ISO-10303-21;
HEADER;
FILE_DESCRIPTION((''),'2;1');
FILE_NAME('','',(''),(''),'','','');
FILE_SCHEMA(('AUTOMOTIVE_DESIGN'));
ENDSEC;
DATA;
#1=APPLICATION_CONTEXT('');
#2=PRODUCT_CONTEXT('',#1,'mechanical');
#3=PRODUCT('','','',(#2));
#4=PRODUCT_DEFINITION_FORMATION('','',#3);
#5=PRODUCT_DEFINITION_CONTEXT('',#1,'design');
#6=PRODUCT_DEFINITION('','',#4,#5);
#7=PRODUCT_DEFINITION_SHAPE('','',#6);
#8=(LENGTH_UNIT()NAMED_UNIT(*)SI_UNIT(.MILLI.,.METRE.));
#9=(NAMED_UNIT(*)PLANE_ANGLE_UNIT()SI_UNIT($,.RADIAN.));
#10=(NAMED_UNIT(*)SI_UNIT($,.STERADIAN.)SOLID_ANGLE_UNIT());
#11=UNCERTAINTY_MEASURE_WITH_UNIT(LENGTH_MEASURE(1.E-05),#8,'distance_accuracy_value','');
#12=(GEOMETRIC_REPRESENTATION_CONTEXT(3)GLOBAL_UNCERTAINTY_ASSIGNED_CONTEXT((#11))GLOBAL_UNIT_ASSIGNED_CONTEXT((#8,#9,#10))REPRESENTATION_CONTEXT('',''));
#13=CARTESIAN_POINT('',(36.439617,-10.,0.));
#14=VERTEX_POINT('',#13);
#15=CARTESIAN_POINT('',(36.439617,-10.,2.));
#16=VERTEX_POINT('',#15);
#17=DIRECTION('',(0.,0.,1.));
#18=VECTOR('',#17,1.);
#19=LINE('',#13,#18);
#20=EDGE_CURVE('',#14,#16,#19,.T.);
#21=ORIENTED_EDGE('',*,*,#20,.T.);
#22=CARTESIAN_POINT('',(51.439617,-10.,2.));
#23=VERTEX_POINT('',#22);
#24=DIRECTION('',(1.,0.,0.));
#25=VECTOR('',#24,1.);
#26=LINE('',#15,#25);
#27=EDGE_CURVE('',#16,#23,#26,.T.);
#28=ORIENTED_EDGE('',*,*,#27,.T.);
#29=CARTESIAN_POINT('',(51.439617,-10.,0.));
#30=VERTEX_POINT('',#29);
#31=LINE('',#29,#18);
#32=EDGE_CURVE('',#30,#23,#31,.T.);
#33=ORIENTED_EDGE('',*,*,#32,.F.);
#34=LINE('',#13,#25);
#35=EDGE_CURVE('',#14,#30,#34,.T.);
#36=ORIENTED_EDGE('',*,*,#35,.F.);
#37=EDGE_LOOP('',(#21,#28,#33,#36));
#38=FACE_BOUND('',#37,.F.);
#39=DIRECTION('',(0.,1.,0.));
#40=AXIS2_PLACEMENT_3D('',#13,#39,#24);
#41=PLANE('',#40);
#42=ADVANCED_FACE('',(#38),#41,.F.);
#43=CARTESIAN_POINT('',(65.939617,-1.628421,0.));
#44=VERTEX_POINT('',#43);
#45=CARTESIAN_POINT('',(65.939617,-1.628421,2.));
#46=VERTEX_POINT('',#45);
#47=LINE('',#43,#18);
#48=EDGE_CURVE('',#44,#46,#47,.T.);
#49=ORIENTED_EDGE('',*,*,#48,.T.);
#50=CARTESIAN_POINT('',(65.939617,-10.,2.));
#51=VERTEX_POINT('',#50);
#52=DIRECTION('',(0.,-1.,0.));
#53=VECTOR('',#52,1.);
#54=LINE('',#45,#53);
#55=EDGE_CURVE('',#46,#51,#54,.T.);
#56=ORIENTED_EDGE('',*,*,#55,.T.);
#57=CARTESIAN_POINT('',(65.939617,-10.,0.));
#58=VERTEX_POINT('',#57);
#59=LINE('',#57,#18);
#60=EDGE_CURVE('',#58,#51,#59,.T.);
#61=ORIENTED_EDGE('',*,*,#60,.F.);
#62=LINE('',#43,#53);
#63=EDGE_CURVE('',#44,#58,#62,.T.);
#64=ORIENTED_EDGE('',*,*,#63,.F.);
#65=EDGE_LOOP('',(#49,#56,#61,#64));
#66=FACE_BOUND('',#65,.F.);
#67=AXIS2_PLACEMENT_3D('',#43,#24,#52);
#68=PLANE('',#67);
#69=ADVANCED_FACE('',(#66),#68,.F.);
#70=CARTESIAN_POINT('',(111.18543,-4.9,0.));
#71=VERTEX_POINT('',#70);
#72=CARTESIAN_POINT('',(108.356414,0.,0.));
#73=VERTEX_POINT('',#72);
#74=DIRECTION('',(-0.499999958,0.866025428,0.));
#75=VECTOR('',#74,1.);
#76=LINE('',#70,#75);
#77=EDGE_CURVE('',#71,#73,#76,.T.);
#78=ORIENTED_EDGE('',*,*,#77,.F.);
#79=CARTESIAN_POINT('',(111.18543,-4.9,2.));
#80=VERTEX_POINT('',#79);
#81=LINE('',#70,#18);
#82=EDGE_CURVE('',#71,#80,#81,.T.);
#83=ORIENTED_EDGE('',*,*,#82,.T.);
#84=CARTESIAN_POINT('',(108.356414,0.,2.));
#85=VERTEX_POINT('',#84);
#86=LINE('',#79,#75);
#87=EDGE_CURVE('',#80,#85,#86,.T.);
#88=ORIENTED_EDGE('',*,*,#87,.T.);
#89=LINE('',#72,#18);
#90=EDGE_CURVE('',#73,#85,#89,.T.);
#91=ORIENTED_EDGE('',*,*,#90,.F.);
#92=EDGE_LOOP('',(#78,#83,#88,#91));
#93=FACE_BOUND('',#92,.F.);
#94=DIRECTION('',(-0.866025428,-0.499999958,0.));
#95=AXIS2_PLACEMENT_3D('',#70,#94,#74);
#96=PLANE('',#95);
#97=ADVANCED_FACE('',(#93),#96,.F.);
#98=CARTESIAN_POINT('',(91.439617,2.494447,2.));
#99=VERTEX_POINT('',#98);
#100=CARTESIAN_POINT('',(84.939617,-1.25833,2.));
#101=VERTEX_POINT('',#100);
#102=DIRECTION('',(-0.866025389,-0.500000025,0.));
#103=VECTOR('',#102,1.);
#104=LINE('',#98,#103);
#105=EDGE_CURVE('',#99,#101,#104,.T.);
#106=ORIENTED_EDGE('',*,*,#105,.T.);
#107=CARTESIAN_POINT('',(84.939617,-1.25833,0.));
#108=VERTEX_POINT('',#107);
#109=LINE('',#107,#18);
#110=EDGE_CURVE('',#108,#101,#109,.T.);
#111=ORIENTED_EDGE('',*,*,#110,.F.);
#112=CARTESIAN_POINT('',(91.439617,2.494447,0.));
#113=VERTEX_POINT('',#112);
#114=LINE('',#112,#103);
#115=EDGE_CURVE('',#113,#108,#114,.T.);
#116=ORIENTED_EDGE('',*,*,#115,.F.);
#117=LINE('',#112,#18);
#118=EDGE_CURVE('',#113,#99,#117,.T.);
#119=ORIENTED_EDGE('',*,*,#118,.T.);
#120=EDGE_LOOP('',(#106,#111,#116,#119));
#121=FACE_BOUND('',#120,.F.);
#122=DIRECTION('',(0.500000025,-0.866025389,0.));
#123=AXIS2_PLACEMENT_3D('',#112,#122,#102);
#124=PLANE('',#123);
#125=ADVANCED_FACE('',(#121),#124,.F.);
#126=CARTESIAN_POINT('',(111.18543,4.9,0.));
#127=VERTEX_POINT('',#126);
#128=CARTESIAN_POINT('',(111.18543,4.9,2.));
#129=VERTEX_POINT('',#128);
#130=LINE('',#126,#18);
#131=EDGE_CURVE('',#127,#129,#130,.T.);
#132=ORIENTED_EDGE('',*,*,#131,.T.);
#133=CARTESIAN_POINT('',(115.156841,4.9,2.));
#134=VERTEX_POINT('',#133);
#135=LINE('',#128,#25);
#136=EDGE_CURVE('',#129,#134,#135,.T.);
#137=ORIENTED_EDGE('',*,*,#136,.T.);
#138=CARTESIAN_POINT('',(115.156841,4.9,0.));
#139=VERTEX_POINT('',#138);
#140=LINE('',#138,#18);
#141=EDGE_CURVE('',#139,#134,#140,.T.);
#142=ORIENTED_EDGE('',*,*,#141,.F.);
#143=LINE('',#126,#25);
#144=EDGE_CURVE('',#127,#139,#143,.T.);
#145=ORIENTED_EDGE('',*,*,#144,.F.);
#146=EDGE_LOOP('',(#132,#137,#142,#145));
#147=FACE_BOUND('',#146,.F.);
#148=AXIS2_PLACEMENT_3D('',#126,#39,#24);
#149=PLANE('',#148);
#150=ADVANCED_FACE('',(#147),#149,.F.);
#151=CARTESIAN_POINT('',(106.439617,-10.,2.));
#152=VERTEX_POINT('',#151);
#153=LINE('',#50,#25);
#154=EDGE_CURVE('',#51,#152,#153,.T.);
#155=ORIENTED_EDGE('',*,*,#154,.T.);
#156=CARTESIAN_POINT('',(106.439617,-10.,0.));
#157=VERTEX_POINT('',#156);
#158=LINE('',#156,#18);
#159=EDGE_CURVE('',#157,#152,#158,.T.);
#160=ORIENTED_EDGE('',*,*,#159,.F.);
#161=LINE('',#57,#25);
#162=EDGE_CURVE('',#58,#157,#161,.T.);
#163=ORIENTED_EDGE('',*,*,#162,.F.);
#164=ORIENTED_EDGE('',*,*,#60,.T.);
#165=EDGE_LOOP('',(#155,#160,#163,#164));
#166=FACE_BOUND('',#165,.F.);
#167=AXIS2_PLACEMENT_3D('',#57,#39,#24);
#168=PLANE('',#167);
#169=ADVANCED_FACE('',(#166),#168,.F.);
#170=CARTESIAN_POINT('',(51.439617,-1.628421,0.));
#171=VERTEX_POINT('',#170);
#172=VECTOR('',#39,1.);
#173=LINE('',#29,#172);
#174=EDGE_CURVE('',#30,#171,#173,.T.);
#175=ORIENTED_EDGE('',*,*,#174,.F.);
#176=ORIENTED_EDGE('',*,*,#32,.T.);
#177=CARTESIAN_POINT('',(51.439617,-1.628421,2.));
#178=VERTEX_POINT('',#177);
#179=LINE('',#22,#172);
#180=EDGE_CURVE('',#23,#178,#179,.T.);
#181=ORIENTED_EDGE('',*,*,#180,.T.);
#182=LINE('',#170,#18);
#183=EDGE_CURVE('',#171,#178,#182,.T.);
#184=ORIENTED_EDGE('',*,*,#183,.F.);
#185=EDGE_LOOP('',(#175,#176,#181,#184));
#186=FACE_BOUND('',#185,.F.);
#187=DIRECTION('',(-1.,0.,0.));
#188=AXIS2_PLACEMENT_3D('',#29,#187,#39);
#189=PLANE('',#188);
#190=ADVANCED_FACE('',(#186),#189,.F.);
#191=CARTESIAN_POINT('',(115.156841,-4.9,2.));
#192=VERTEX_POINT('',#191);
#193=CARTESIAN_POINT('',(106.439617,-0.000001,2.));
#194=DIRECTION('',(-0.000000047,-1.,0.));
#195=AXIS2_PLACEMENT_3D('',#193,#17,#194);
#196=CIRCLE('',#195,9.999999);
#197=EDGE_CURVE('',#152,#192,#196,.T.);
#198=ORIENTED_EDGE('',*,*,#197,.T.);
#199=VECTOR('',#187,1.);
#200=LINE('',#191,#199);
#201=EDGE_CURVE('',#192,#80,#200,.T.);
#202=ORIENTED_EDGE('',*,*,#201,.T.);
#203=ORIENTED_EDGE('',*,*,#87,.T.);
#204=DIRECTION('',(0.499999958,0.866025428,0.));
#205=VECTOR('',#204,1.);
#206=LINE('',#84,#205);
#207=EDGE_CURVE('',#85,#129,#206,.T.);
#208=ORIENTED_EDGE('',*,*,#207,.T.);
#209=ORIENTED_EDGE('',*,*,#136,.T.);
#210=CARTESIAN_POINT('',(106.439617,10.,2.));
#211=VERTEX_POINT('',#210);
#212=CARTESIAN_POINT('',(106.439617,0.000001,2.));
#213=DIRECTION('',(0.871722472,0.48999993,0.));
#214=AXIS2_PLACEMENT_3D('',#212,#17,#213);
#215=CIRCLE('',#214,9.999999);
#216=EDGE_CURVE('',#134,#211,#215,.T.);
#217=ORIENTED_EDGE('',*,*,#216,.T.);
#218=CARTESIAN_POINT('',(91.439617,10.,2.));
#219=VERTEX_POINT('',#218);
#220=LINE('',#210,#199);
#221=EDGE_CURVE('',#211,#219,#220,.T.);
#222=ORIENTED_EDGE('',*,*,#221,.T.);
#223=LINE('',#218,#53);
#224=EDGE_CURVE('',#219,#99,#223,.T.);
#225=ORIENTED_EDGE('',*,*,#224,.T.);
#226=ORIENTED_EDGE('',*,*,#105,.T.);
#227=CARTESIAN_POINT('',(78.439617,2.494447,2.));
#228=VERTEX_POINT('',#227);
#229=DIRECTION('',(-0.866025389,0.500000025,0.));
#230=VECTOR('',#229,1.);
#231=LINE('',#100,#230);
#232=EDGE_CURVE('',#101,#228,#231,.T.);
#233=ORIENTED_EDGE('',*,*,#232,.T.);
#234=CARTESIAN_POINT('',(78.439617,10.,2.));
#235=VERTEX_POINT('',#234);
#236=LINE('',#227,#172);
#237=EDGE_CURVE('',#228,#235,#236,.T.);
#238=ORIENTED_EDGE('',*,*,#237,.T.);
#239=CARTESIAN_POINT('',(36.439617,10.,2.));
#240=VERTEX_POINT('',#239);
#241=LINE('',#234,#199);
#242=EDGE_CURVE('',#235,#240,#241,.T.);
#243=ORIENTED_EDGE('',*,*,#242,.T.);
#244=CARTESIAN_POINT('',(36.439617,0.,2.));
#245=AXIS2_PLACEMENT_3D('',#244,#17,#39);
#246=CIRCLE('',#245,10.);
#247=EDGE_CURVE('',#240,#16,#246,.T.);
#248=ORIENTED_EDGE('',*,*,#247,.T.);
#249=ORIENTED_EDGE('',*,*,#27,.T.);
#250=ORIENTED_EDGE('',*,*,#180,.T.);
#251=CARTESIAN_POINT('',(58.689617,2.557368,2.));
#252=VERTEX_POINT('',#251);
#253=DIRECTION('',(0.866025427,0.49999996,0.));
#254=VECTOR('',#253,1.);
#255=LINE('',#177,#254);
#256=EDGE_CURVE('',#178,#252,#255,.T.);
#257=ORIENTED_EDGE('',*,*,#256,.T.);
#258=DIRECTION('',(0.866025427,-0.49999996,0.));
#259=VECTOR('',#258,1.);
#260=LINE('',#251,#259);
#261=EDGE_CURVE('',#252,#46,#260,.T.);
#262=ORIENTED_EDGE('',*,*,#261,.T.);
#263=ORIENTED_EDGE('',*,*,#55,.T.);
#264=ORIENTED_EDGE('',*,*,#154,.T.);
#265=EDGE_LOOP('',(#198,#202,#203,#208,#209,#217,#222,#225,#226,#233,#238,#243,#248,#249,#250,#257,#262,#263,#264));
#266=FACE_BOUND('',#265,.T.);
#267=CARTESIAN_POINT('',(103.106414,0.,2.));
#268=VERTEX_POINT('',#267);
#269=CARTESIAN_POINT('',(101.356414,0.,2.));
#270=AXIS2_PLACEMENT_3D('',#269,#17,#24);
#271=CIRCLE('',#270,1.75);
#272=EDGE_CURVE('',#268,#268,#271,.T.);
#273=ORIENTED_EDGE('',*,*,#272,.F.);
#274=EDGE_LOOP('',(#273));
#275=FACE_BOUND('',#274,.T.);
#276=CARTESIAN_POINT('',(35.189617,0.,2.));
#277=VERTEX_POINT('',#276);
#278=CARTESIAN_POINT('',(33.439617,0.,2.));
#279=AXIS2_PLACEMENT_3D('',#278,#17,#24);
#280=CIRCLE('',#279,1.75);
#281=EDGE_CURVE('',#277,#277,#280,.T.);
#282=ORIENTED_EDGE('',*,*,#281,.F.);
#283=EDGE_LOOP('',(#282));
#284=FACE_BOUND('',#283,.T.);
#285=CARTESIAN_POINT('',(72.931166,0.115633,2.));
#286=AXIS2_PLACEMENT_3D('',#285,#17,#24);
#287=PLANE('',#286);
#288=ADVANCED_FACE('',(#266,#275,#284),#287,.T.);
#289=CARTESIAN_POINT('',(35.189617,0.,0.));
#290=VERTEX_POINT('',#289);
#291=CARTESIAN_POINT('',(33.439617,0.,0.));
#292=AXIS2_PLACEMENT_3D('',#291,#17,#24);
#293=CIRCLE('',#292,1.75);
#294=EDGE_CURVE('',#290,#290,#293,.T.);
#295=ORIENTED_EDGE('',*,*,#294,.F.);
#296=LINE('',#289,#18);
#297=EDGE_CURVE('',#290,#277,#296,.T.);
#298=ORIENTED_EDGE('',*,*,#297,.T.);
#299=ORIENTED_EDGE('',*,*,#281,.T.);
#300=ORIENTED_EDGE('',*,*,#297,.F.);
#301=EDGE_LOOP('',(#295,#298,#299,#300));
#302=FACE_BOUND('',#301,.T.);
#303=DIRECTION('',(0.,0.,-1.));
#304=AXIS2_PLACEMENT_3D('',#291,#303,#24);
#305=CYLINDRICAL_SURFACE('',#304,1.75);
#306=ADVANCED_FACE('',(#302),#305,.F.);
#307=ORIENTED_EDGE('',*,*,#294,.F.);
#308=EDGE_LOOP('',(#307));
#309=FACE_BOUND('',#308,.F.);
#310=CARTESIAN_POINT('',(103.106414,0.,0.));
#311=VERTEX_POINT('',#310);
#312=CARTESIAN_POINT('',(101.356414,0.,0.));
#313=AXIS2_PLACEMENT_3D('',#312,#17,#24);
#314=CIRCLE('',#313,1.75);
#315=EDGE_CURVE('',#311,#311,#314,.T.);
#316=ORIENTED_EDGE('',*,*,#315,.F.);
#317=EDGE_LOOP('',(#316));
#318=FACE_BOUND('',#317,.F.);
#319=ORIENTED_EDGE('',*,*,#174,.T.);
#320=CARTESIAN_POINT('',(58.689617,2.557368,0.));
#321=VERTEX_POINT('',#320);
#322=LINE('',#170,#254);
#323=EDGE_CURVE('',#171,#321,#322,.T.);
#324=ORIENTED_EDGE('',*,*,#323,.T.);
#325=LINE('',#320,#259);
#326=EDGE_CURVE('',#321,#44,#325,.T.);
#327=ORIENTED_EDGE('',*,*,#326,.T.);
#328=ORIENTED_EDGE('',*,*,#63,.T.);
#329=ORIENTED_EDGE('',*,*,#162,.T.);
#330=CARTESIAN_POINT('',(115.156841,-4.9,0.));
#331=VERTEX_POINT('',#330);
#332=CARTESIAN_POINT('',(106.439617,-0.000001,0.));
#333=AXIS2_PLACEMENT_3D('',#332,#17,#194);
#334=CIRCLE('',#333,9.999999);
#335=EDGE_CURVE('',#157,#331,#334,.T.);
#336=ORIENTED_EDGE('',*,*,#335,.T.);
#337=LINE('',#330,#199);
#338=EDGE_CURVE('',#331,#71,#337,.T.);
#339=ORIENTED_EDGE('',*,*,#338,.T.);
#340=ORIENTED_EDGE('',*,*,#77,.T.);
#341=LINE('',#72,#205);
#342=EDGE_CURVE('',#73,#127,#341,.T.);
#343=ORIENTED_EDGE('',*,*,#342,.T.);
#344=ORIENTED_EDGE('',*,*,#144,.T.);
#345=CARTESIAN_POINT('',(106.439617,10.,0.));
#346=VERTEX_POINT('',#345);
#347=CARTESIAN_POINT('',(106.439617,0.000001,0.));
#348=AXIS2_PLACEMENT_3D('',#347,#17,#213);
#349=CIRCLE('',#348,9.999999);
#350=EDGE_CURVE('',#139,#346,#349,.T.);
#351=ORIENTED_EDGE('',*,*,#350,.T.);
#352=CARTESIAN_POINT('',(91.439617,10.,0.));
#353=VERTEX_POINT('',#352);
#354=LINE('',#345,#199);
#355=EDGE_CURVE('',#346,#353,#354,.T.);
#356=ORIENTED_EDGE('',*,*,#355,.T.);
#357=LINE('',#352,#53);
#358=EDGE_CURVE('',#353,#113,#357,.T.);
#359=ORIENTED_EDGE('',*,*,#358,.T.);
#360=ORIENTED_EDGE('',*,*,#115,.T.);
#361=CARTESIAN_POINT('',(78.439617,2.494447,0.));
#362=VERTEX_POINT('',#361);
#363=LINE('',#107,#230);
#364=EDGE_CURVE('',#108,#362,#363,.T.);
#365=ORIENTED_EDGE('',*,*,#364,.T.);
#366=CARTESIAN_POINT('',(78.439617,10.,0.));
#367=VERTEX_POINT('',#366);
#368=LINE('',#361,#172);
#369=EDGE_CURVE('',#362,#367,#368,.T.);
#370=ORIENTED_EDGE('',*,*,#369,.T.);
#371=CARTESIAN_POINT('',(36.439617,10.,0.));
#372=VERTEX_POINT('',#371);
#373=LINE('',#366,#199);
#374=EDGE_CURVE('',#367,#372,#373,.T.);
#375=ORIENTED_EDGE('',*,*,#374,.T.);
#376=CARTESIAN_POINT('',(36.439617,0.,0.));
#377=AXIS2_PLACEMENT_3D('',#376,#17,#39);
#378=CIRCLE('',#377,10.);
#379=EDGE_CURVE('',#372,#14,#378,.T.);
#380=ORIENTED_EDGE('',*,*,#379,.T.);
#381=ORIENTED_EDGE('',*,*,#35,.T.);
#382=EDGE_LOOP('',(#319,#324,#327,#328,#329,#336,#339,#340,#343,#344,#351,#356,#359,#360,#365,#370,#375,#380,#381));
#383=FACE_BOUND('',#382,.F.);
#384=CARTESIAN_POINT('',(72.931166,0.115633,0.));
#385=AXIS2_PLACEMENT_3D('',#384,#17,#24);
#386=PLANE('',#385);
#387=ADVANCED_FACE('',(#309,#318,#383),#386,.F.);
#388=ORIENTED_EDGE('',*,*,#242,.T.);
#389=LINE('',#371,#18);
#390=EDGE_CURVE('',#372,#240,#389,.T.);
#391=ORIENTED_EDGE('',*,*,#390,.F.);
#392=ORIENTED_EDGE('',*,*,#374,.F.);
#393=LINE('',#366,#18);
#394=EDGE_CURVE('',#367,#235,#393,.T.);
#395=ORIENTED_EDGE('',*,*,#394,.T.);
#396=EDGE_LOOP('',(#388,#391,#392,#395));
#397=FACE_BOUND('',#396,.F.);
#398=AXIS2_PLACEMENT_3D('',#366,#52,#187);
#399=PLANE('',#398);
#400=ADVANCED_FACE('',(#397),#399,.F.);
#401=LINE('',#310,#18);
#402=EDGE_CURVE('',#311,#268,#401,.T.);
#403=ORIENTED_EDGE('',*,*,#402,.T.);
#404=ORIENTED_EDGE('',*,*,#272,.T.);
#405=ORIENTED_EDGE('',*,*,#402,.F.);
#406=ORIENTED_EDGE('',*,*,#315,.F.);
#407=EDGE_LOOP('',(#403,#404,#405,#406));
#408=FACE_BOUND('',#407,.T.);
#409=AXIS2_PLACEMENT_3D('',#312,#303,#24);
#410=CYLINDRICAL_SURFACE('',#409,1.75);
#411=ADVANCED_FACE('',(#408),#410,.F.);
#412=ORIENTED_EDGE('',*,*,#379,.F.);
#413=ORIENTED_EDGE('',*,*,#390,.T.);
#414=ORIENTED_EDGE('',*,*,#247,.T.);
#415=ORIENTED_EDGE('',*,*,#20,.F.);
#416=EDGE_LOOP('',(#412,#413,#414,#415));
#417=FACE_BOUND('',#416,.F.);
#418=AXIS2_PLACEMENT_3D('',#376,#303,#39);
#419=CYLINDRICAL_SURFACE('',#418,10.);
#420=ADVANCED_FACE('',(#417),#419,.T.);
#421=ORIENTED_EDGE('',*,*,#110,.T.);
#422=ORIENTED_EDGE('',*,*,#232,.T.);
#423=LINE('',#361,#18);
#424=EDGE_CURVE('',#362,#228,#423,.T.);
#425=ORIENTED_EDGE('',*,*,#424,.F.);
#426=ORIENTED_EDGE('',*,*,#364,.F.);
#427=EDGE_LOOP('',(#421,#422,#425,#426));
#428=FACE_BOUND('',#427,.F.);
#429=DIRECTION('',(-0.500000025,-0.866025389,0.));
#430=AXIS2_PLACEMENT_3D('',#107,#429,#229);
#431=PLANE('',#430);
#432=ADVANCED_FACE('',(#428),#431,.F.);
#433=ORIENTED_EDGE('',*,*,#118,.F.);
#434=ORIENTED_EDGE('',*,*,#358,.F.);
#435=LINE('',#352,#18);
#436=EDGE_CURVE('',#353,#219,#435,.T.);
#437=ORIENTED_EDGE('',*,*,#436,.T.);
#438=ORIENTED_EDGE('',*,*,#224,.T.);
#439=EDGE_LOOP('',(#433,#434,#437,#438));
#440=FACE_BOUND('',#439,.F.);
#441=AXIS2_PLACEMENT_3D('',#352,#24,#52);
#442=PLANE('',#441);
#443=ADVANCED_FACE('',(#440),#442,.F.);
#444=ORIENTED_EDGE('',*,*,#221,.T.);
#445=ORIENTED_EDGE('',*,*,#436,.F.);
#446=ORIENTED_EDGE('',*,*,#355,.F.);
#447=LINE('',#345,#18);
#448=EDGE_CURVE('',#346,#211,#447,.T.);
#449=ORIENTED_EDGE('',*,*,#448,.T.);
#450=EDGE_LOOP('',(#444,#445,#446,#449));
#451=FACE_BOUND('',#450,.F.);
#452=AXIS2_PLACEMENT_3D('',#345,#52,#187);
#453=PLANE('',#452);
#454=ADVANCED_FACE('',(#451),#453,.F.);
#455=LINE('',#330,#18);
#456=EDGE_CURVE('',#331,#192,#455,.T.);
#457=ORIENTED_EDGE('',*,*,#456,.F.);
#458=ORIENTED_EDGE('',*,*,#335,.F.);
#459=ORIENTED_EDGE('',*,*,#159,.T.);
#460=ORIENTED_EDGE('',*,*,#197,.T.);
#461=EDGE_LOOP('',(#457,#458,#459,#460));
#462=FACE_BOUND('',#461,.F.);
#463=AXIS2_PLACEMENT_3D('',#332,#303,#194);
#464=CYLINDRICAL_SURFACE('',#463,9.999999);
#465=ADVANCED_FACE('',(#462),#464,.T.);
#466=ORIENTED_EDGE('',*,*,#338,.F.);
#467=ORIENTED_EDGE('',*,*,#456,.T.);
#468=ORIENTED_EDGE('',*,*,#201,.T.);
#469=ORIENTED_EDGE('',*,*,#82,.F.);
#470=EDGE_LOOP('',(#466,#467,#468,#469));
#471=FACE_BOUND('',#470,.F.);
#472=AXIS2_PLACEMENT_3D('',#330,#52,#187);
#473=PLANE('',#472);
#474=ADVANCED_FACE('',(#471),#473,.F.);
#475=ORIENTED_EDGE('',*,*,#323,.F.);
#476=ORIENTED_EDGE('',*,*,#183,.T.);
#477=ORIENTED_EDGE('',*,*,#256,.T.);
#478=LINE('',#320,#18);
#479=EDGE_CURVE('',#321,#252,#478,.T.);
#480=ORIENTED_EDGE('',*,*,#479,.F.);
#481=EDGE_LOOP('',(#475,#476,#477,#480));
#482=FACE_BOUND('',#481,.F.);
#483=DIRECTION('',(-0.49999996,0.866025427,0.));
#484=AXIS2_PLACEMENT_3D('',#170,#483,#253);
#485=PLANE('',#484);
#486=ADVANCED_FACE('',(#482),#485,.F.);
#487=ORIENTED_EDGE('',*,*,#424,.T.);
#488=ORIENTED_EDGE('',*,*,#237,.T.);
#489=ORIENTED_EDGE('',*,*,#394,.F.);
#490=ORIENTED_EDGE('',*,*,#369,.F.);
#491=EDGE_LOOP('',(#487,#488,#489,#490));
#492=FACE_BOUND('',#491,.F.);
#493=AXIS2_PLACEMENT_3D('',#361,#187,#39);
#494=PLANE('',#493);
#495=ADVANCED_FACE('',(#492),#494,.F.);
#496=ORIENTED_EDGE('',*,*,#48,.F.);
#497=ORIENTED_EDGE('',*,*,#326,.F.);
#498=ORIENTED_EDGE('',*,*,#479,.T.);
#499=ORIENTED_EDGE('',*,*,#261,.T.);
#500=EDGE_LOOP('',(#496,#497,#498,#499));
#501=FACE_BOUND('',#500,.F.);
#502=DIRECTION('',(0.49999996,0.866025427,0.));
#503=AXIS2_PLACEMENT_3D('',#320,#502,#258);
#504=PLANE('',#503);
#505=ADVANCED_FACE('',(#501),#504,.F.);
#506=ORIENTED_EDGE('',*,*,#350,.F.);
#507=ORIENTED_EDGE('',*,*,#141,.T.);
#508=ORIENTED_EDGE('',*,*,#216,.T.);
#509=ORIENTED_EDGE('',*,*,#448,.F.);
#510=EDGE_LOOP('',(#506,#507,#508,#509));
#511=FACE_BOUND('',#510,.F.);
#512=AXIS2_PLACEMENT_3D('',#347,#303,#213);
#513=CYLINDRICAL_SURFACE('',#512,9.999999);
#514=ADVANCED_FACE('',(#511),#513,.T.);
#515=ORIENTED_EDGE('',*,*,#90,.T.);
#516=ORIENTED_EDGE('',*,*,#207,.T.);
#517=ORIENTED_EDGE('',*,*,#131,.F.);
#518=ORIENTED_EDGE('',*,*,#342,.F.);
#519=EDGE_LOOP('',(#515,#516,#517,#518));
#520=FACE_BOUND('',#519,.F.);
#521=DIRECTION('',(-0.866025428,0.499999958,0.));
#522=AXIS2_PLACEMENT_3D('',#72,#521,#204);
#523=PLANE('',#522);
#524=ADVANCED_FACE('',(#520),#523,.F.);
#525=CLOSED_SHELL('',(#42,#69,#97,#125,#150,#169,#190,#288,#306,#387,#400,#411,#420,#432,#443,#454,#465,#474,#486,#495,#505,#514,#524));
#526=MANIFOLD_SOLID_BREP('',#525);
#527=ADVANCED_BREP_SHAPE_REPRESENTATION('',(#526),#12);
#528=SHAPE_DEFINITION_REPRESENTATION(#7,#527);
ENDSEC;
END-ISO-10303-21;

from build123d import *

# Parameters (mm, degrees)
F0_R     = 1.75
F1_DEPTH = 2


with BuildPart() as f1:
    # F0 (on Top) → F1 (new body)
    with BuildSketch(Plane.XY):
        with BuildLine():
            Line((78.439617, 10), (36.439617, 10))
            ThreePointArc((36.439617, 10), (26.439617, 0), (36.439617, -10))
            Line((36.439617, -10), (51.439617, -10))
            Line((51.439617, -10), (51.439617, -1.628421))
            Line((51.439617, -1.628421), (58.689617, 2.557368))
            Line((58.689617, 2.557368), (65.939617, -1.628421))
            Line((65.939617, -1.628421), (65.939617, -10))
            Line((65.939617, -10), (106.439617, -10))
            ThreePointArc((106.439617, -10), (111.48937, -8.631338), (115.156841, -4.9))
            Line((115.156841, -4.9), (111.18543, -4.9))
            Line((111.18543, -4.9), (108.356414, 0))
            Line((108.356414, 0), (111.18543, 4.9))
            Line((111.18543, 4.9), (115.156841, 4.9))
            ThreePointArc((115.156841, 4.9), (111.48937, 8.631338), (106.439617, 10))
            Line((106.439617, 10), (91.439617, 10))
            Line((91.439617, 10), (91.439617, 2.494447))
            Line((91.439617, 2.494447), (84.939617, -1.25833))
            Line((84.939617, -1.25833), (78.439617, 2.494447))
            Line((78.439617, 2.494447), (78.439617, 10))
        make_face()
        with Locations((33.439617, 0)):
            Circle(F0_R, mode=Mode.SUBTRACT)
        with Locations((101.356414, 0)):
            Circle(F0_R, mode=Mode.SUBTRACT)
    extrude(amount=F1_DEPTH)


solid = f1.part
